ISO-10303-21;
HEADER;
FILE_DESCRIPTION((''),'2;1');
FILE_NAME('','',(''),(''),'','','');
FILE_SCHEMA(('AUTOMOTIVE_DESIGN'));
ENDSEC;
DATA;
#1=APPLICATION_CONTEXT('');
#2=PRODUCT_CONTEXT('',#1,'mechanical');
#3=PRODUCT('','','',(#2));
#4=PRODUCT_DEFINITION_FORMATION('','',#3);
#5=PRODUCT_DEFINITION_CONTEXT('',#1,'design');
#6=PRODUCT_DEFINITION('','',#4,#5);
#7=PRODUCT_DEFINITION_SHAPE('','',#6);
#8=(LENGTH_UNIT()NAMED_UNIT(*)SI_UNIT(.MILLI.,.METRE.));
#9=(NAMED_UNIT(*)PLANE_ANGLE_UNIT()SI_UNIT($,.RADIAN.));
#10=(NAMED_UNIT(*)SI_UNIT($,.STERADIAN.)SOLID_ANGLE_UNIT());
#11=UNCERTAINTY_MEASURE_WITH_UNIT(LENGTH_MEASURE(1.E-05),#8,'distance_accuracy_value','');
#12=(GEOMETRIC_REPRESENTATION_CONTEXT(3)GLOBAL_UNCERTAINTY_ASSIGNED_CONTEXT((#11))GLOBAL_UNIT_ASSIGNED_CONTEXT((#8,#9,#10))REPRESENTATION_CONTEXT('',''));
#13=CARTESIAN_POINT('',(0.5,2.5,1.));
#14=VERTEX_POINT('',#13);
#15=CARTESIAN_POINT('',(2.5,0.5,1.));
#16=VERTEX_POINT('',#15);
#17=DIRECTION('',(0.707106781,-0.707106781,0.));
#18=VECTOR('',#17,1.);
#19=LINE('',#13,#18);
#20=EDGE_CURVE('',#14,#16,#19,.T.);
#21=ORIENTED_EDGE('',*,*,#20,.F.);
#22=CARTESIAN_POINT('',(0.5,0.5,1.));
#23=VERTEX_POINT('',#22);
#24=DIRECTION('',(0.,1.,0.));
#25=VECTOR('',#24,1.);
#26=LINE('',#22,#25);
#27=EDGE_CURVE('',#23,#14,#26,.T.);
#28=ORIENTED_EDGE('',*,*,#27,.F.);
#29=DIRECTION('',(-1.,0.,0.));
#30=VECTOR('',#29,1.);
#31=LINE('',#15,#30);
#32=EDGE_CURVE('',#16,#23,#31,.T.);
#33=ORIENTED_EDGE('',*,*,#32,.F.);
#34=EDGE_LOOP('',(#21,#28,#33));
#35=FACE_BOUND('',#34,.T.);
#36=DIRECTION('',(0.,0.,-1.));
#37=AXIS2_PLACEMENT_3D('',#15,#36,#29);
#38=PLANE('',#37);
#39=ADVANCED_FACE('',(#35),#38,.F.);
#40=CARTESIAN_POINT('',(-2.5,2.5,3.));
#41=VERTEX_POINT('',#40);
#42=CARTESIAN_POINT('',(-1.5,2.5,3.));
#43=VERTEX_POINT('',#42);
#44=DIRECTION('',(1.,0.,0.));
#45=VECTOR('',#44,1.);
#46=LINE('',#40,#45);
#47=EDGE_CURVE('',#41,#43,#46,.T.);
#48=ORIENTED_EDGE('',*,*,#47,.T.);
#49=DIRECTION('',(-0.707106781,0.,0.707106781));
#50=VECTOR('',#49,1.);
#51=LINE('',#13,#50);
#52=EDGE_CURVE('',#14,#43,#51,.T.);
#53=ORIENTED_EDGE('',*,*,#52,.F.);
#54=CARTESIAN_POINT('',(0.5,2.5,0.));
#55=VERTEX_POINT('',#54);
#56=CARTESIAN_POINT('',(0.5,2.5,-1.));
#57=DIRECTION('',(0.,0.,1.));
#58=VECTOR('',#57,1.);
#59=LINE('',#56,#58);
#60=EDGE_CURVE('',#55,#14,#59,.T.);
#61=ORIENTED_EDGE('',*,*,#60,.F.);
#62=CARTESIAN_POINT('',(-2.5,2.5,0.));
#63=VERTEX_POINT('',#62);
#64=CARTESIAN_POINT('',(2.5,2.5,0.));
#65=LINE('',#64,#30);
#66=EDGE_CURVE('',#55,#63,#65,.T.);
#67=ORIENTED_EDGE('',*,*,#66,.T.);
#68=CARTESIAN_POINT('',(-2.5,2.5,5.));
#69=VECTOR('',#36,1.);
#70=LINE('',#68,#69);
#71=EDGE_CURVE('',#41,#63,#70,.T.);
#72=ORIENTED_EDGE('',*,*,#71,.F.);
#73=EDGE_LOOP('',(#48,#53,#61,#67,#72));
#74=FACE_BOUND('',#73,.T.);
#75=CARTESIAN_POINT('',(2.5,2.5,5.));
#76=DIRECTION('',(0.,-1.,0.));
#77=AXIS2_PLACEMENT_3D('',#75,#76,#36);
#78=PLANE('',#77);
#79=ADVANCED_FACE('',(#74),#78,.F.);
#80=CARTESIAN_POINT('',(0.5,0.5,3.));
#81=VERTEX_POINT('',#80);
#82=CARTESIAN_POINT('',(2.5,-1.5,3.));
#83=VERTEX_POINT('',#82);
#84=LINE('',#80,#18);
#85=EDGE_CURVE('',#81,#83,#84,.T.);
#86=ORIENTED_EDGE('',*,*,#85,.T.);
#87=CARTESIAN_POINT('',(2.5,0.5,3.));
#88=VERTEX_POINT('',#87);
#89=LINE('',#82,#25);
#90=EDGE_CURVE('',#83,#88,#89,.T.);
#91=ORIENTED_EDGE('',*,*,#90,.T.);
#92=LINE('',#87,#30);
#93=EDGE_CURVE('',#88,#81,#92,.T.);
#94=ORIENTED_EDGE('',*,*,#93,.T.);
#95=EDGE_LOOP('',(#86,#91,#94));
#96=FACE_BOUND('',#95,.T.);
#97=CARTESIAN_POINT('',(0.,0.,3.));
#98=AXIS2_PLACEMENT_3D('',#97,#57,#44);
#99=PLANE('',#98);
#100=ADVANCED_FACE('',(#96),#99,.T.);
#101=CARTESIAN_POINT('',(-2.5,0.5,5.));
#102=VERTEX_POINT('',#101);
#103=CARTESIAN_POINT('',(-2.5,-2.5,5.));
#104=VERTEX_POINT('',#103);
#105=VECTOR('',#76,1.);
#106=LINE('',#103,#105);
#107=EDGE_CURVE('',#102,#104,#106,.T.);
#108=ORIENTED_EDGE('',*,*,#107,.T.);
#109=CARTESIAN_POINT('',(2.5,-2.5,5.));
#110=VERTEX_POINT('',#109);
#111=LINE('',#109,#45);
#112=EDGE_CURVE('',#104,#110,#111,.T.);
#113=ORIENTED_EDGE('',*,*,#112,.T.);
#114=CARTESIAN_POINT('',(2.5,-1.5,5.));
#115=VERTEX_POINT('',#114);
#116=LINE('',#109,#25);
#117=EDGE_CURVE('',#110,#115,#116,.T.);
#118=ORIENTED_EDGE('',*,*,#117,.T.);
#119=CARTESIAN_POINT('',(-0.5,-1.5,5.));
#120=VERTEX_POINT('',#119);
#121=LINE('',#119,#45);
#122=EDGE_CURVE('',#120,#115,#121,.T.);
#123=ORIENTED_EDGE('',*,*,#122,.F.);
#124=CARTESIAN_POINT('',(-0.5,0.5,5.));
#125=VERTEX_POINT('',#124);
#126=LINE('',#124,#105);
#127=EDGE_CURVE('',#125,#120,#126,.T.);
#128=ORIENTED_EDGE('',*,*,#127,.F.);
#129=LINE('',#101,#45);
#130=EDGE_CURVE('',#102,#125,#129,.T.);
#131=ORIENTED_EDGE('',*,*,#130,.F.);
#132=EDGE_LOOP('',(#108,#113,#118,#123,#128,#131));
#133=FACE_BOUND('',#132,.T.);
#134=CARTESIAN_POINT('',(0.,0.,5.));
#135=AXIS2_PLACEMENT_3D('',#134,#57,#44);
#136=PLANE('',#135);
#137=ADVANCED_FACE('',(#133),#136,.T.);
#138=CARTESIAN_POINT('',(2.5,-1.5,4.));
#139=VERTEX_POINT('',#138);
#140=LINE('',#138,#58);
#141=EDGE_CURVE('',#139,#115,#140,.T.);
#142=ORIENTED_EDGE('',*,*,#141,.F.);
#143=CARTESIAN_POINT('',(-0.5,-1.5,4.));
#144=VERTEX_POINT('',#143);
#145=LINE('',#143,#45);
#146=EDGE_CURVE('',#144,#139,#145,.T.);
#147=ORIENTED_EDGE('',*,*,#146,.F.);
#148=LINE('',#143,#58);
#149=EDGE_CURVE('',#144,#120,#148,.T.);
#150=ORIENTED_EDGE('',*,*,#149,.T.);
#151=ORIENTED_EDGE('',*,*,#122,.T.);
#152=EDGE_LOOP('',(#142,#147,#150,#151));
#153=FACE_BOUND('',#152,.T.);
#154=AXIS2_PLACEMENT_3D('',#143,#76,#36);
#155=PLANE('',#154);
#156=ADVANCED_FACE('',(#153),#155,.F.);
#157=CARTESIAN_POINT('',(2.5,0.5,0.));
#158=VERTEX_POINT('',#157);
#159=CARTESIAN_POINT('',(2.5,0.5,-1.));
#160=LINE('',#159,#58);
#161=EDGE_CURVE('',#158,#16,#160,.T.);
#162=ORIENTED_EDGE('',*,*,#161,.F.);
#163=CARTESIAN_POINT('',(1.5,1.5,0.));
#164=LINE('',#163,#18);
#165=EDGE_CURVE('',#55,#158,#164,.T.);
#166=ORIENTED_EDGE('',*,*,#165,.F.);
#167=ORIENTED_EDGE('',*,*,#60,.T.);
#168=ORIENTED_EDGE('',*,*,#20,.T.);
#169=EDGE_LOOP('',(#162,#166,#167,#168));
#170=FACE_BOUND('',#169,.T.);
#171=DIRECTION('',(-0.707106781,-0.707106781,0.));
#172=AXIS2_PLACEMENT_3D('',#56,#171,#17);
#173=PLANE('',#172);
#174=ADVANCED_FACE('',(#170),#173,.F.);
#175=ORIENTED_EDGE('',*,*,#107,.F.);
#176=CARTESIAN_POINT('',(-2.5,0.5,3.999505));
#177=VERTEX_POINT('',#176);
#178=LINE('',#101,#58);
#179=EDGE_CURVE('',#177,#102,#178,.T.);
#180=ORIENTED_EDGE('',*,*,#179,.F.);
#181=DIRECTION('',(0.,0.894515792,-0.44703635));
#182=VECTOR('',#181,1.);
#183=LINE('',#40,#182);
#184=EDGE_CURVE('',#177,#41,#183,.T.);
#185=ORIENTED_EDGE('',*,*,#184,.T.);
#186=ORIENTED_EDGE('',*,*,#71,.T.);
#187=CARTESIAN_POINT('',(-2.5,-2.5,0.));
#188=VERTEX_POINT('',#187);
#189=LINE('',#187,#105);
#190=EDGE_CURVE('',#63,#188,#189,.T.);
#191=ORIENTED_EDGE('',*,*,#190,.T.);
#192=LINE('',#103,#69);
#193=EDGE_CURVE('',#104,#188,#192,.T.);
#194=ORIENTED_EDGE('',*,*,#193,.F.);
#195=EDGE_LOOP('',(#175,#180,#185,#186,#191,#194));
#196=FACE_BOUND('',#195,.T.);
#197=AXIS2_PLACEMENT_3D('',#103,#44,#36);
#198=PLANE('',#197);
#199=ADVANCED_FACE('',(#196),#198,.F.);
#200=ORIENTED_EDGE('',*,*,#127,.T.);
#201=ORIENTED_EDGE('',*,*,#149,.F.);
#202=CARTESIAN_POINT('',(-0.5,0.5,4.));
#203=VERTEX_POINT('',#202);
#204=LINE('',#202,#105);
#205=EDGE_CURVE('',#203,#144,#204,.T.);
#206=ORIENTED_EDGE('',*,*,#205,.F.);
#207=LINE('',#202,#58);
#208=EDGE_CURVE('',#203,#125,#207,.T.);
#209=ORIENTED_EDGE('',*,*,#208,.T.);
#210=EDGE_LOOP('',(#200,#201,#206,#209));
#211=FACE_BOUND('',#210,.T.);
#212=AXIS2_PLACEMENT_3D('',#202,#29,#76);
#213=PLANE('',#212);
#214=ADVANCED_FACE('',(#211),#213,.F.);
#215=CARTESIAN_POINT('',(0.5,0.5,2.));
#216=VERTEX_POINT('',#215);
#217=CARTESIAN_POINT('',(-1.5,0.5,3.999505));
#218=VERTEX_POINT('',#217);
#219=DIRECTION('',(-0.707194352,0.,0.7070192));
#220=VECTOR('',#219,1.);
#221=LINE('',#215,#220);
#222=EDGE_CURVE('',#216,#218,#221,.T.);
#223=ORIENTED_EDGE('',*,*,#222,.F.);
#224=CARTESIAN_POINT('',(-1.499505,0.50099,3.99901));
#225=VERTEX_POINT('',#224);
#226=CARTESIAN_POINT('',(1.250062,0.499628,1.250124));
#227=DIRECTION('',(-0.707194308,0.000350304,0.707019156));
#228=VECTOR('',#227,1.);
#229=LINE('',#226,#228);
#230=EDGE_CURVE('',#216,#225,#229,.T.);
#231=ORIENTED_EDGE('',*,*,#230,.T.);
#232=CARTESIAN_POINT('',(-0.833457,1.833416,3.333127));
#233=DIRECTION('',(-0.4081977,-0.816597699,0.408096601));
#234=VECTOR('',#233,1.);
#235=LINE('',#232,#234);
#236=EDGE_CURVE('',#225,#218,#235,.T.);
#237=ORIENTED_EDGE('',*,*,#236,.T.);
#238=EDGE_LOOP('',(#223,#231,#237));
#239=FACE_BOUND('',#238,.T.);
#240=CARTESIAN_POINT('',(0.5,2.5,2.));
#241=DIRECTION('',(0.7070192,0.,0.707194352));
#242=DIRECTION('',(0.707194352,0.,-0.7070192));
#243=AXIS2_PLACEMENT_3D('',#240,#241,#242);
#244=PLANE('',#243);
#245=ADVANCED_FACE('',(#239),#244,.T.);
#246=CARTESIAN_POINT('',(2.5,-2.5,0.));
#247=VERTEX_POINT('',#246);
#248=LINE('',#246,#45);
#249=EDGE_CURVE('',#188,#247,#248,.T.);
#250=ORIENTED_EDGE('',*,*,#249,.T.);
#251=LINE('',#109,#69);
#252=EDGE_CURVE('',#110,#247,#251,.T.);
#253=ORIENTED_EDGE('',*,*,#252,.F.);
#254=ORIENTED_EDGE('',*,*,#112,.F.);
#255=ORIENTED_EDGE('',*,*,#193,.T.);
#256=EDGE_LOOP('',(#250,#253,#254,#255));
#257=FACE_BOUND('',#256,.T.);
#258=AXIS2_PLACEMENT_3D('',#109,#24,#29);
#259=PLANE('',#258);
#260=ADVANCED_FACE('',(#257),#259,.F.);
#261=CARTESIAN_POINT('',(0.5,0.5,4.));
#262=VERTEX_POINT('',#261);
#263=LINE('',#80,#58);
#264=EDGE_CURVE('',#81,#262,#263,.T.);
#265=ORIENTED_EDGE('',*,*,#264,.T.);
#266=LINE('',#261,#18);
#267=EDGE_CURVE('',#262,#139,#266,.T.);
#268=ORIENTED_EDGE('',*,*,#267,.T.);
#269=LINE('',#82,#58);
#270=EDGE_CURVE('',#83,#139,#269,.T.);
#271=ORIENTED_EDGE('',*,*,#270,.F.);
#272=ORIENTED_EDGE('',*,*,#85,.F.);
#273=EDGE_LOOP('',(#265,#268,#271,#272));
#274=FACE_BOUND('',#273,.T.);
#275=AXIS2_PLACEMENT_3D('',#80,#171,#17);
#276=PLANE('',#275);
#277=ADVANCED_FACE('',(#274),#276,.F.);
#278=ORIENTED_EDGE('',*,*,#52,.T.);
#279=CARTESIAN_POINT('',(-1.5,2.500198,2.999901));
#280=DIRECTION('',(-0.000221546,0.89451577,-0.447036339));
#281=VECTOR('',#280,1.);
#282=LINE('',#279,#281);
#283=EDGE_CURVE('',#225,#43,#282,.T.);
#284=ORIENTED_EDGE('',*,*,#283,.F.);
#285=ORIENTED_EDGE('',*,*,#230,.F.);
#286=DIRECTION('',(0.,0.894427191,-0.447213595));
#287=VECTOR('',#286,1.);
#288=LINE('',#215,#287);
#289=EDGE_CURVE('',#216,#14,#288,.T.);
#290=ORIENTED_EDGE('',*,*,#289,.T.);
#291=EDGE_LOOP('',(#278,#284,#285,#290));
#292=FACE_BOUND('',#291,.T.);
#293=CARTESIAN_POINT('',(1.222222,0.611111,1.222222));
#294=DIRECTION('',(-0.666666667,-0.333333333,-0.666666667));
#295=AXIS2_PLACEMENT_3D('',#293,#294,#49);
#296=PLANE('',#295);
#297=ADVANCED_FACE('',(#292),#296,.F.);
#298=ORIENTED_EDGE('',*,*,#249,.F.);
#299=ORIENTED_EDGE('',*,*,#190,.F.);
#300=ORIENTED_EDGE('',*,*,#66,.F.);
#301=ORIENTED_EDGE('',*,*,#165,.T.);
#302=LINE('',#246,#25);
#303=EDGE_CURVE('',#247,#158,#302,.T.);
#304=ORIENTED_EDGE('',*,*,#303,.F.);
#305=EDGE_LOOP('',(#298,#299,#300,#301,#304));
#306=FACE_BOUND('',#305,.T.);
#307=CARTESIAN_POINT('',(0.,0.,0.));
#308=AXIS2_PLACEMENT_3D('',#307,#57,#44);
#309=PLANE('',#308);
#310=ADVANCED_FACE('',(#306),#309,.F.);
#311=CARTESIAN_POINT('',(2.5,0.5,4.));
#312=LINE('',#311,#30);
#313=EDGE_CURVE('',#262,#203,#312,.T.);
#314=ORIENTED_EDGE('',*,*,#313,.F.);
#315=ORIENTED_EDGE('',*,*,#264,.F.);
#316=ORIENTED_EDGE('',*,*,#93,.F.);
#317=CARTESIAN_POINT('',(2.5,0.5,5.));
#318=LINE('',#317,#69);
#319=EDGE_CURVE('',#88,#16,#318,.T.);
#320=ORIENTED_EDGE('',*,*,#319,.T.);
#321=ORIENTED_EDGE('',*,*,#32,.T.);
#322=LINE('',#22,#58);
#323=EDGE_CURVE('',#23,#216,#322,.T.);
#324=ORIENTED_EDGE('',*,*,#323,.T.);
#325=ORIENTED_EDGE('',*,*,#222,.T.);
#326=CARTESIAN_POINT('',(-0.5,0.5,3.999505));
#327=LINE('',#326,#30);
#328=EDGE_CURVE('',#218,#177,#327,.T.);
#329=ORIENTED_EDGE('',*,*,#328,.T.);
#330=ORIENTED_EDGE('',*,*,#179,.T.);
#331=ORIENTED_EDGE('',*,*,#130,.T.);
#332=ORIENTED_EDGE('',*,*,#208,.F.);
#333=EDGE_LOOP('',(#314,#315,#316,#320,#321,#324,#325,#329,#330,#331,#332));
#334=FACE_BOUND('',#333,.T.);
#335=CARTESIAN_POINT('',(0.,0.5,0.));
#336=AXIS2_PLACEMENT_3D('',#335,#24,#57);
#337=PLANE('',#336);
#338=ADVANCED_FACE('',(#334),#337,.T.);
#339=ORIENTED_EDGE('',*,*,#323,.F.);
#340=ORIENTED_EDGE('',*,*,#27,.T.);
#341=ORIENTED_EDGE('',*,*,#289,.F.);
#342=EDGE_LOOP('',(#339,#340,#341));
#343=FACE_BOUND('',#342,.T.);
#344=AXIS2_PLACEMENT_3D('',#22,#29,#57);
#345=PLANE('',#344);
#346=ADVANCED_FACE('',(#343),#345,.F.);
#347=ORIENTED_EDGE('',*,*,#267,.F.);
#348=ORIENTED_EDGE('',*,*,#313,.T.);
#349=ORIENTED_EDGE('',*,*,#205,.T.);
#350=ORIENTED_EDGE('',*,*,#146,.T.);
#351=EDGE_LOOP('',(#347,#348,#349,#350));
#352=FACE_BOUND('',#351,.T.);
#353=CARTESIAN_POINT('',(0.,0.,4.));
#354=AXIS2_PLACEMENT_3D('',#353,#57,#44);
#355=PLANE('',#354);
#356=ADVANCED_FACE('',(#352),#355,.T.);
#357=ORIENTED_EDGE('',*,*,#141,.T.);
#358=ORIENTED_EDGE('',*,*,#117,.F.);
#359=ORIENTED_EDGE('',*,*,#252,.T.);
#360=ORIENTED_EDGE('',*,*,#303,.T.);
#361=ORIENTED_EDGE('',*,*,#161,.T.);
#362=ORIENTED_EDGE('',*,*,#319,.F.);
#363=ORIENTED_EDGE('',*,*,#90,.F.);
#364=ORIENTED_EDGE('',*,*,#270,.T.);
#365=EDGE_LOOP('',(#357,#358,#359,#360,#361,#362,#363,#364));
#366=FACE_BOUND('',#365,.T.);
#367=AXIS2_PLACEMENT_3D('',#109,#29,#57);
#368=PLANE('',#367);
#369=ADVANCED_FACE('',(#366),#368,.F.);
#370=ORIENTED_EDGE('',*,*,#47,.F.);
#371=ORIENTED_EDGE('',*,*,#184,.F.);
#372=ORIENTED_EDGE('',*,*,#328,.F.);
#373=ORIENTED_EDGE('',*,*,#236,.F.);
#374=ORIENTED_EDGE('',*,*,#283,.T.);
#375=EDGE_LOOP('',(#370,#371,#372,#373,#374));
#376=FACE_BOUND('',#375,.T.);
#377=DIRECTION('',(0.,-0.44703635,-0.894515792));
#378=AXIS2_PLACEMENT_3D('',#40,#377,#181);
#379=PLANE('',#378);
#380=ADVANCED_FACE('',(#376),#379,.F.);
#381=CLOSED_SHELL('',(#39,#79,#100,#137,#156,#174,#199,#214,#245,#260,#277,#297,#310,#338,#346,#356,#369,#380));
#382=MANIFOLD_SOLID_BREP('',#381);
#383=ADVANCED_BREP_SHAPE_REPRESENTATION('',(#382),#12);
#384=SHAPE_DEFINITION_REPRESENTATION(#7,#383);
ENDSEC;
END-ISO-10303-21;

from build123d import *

# Parameters (mm, degrees)
SKETCH1_W           = 5
SKETCH1_H           = 5
BOSS_EXTRUDE1_DEPTH = 5
CUT_EXTRUDE2_DEPTH  = 2
CUT_EXTRUDE3_DEPTH  = 2
CUT_EXTRUDE4_DEPTH  = 2
SKETCH6_W           = 3
SKETCH6_H           = 2
CUT_EXTRUDE5_DEPTH  = 1
CUT_EXTRUDE6_DEPTH  = 1
CUT_EXTRUDE7_DEPTH  = 1
CUT_EXTRUDE8_DEPTH  = 3


with BuildPart() as part:
    # Sketch1 → Boss-Extrude1 (new body)
    with BuildSketch(Plane.XY):
        Rectangle(SKETCH1_W, SKETCH1_H)
    extrude(amount=BOSS_EXTRUDE1_DEPTH)

    # Sketch3 → Cut-Extrude2 (cut)
    with BuildSketch(Plane(origin=(0, 2.5, 0), x_dir=(1, 0, 0), z_dir=(0, 1, 0))):
        Polygon((-2.5, -5), (-2.5, -3.999504656), (-0.5, -3.999504656), (-0.5, -3), (0.5, -3), (0.5, -1), (2.5, -1), (2.5, -5), align=None)
    extrude(amount=-CUT_EXTRUDE2_DEPTH, mode=Mode.SUBTRACT)

    # Sketch4 → Cut-Extrude3 (cut)
    with BuildSketch(Plane(origin=(-0.5, 0, 0), x_dir=(0, 0, -1), z_dir=(1, 0, 0))):
        Polygon((-3, 2.5), (-3.999504656, 0.5), (-3.999504656, 2.5), align=None)
    extrude(amount=-CUT_EXTRUDE3_DEPTH, mode=Mode.SUBTRACT)

    # Sketch5 → Cut-Extrude4 (cut)
    with BuildSketch(Plane.XY.offset(1)):
        Polygon((0.5, 2.5), (2.5, 0.5), (2.5, 2.5), align=None)
    extrude(amount=-CUT_EXTRUDE4_DEPTH, mode=Mode.SUBTRACT)

    # Sketch6 → Cut-Extrude5 (cut)
    with BuildSketch(Plane.XY.offset(5)):
        with Locations((1, -0.5)):
            Rectangle(SKETCH6_W, SKETCH6_H)
    extrude(amount=-CUT_EXTRUDE5_DEPTH, mode=Mode.SUBTRACT)

    # Sketch7 → Cut-Extrude6 (cut)
    with BuildSketch(Plane.XY.offset(4)):
        Polygon((2.5, 0.5), (0.5, 0.5), (2.5, -1.5), align=None)
    extrude(amount=-CUT_EXTRUDE6_DEPTH, mode=Mode.SUBTRACT)

    # Sketch11 → Cut-Extrude7 (cut)
    with BuildSketch(Plane(origin=(1.222222222, 0.611111111, 1.222222222), x_dir=(0.745355992, -0.298142397, -0.596284794), z_dir=(0.666666667, 0.333333333, 0.666666667))):
        Polygon((-0.96896279, 1.788854382), (-3.652244363, 0.894427191), (-3.652244363, -1.341419262), (-0.96896279, -0.447213595), align=None)
    extrude(amount=CUT_EXTRUDE7_DEPTH, mode=Mode.SUBTRACT)

    # Sketch12 → Cut-Extrude8 (cut, through all)
    with BuildSketch(Plane(origin=(0, 0.5, 0), x_dir=(1, 0, 0), z_dir=(0, 1, 0))):
        Polygon((0.5, -2), (-1.5, -3.999504656), (0.5, -4), align=None)
    extrude(amount=CUT_EXTRUDE8_DEPTH, mode=Mode.SUBTRACT)


solid = part.part
